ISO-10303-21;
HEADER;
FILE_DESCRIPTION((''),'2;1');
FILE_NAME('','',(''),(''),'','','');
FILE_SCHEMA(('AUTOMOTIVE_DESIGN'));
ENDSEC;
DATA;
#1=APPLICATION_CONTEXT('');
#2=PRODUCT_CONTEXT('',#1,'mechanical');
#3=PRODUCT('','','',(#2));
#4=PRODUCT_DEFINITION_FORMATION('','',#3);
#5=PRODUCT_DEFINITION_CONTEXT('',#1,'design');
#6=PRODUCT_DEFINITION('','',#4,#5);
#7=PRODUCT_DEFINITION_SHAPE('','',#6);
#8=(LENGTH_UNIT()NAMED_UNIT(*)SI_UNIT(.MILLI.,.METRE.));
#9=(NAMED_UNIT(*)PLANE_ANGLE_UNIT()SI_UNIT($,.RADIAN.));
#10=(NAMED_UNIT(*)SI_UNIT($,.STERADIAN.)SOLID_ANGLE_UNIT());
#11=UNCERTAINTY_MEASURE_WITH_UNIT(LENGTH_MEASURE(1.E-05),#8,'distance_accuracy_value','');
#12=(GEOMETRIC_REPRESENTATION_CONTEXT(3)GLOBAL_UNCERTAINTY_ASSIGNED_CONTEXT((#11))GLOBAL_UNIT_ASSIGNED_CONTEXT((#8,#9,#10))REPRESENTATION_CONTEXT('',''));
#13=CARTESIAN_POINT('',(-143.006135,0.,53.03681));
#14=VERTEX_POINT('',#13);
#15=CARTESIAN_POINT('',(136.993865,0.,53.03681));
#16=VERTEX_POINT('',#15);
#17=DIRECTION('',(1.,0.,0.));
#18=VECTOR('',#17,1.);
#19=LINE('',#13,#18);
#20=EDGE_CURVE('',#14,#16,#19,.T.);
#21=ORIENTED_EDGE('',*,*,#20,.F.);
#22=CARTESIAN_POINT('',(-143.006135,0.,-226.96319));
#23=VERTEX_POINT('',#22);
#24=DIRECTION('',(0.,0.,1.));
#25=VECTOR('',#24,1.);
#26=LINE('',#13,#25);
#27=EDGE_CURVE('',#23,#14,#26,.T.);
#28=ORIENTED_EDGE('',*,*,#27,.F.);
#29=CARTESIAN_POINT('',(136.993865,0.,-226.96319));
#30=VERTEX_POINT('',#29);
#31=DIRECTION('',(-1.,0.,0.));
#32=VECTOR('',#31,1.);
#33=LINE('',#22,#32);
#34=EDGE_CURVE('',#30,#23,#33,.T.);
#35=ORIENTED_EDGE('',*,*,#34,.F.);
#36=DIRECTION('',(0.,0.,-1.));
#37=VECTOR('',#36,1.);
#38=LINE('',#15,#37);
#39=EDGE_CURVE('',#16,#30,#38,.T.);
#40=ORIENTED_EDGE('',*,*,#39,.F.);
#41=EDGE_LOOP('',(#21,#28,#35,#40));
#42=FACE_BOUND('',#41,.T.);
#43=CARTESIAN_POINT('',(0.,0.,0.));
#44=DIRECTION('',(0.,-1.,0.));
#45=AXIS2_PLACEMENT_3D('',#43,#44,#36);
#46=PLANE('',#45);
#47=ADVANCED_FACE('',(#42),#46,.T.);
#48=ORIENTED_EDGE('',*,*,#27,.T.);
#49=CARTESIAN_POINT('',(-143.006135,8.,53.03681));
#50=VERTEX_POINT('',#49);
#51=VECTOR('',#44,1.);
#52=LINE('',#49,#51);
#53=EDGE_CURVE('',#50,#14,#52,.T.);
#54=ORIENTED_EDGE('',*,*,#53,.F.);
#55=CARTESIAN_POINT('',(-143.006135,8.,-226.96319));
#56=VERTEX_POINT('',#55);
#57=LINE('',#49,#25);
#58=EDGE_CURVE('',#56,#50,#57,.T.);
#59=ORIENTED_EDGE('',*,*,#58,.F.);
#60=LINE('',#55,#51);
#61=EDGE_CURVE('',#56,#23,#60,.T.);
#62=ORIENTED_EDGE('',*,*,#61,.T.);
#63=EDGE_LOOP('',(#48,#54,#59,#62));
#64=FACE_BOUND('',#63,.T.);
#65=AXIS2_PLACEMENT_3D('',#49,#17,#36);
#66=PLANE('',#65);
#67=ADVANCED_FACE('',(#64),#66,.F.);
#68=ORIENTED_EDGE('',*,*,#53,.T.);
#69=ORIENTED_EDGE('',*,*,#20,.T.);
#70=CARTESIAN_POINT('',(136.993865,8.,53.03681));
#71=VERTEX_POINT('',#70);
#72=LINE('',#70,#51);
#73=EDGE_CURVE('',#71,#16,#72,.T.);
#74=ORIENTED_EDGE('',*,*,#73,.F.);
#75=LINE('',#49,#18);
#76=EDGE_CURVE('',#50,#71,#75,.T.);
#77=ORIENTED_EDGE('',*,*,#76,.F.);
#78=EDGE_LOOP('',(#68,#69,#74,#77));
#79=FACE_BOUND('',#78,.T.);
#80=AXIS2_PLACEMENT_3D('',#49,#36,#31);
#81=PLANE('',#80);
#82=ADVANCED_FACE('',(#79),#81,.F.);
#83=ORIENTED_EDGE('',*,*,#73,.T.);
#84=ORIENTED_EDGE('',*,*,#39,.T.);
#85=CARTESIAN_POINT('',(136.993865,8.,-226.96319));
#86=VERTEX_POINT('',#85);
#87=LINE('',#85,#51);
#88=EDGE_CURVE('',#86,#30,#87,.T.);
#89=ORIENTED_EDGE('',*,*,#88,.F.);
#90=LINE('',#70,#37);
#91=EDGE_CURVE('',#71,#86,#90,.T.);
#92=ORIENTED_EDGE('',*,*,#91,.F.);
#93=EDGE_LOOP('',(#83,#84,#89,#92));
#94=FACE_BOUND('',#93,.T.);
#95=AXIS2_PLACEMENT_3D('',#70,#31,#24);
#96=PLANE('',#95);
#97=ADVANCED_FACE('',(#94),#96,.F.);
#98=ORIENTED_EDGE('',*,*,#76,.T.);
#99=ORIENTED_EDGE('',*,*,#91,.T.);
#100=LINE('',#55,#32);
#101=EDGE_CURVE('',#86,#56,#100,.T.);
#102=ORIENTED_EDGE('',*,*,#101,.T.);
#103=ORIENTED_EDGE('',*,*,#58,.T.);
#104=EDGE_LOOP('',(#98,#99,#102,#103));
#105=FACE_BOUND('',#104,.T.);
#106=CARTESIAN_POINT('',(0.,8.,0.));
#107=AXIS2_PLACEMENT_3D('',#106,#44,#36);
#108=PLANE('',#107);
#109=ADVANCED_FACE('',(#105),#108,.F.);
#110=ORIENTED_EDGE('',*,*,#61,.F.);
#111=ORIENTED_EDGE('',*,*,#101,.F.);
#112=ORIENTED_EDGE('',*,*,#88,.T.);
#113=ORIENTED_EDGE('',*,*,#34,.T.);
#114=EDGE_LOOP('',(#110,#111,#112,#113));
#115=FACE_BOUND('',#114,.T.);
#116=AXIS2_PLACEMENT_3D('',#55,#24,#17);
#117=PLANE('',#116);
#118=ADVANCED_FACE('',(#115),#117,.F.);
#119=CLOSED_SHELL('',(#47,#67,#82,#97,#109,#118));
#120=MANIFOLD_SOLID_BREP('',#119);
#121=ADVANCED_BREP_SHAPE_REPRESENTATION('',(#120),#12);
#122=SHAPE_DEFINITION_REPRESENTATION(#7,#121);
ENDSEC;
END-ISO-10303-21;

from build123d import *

# Parameters (mm, degrees)
SZKIC1_W                    = 280
SZKIC1_H                    = 280
DODANIE_WYCI_GNI_CIE1_DEPTH = 8


with BuildPart() as part:
    # Szkic1 → Dodanie-wyciągnięcie1 (new body)
    with BuildSketch(Plane(origin=(0, 0, 0), x_dir=(1, 0, 0), z_dir=(0, 1, 0))):
        with Locations((-3.006134969, 86.963190184)):
            Rectangle(SZKIC1_W, SZKIC1_H)
    extrude(amount=DODANIE_WYCI_GNI_CIE1_DEPTH)


solid = part.part
